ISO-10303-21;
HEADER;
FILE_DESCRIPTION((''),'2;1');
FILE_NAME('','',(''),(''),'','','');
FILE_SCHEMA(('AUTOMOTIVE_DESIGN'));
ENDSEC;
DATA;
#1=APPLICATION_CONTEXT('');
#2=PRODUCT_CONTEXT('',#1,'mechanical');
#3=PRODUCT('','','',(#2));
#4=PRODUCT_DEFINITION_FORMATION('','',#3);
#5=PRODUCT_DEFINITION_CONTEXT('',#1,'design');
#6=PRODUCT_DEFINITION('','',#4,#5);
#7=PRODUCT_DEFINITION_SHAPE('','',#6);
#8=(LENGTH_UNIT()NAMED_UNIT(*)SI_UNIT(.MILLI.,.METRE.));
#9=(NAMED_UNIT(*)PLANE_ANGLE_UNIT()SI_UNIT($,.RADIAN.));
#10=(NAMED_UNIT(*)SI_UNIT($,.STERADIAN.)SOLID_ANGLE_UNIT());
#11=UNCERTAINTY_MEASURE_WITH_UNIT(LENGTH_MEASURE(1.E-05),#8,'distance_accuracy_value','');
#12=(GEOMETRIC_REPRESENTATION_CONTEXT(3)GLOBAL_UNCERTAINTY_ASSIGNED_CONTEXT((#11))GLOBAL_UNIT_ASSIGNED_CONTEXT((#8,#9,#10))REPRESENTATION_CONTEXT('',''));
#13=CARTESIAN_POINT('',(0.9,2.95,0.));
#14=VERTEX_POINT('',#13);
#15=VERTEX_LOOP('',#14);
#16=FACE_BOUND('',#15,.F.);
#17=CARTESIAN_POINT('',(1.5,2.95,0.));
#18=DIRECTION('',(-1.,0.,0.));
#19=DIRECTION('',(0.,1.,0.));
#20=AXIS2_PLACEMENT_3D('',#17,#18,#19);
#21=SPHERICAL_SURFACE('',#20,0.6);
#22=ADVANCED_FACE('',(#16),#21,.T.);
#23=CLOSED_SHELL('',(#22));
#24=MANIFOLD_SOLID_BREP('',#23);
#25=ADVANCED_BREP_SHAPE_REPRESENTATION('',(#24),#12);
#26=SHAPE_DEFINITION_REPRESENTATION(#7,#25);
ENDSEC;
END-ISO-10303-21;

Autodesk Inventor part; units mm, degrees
ref_plane "YZ Plane" through (0, 0, 0) normal (1, 0, 0) x (0, 1, 0)
ref_plane "XZ Plane" through (0, 0, 0) normal (0, 1, 0) x (-1, 0, 0)
ref_plane "XY Plane" through (0, 0, 0) normal (0, 0, 1) x (1, 0, 0)
sketch "Sketch_6" plane through (0, 0, 0) normal (0, 0, 1) x (1, 0, 0)
  line L0 (2.1, 2.95) -> (0.9, 2.95)
  arc A0 (2.1, 2.95) -> (0.9, 2.95) centre (1.5, 2.95) ccw
  line L1 (2.1, 2.95) -> (0.9, 2.95)
  dimension "d0" = 360
revolve "Revolution1" add sketch "Sketch_6" angle 360 about axis through (2.1, 2.95, 0) along (1, 0, 0)
properties part number "SKF_W 619/3-2Z_PART3"
